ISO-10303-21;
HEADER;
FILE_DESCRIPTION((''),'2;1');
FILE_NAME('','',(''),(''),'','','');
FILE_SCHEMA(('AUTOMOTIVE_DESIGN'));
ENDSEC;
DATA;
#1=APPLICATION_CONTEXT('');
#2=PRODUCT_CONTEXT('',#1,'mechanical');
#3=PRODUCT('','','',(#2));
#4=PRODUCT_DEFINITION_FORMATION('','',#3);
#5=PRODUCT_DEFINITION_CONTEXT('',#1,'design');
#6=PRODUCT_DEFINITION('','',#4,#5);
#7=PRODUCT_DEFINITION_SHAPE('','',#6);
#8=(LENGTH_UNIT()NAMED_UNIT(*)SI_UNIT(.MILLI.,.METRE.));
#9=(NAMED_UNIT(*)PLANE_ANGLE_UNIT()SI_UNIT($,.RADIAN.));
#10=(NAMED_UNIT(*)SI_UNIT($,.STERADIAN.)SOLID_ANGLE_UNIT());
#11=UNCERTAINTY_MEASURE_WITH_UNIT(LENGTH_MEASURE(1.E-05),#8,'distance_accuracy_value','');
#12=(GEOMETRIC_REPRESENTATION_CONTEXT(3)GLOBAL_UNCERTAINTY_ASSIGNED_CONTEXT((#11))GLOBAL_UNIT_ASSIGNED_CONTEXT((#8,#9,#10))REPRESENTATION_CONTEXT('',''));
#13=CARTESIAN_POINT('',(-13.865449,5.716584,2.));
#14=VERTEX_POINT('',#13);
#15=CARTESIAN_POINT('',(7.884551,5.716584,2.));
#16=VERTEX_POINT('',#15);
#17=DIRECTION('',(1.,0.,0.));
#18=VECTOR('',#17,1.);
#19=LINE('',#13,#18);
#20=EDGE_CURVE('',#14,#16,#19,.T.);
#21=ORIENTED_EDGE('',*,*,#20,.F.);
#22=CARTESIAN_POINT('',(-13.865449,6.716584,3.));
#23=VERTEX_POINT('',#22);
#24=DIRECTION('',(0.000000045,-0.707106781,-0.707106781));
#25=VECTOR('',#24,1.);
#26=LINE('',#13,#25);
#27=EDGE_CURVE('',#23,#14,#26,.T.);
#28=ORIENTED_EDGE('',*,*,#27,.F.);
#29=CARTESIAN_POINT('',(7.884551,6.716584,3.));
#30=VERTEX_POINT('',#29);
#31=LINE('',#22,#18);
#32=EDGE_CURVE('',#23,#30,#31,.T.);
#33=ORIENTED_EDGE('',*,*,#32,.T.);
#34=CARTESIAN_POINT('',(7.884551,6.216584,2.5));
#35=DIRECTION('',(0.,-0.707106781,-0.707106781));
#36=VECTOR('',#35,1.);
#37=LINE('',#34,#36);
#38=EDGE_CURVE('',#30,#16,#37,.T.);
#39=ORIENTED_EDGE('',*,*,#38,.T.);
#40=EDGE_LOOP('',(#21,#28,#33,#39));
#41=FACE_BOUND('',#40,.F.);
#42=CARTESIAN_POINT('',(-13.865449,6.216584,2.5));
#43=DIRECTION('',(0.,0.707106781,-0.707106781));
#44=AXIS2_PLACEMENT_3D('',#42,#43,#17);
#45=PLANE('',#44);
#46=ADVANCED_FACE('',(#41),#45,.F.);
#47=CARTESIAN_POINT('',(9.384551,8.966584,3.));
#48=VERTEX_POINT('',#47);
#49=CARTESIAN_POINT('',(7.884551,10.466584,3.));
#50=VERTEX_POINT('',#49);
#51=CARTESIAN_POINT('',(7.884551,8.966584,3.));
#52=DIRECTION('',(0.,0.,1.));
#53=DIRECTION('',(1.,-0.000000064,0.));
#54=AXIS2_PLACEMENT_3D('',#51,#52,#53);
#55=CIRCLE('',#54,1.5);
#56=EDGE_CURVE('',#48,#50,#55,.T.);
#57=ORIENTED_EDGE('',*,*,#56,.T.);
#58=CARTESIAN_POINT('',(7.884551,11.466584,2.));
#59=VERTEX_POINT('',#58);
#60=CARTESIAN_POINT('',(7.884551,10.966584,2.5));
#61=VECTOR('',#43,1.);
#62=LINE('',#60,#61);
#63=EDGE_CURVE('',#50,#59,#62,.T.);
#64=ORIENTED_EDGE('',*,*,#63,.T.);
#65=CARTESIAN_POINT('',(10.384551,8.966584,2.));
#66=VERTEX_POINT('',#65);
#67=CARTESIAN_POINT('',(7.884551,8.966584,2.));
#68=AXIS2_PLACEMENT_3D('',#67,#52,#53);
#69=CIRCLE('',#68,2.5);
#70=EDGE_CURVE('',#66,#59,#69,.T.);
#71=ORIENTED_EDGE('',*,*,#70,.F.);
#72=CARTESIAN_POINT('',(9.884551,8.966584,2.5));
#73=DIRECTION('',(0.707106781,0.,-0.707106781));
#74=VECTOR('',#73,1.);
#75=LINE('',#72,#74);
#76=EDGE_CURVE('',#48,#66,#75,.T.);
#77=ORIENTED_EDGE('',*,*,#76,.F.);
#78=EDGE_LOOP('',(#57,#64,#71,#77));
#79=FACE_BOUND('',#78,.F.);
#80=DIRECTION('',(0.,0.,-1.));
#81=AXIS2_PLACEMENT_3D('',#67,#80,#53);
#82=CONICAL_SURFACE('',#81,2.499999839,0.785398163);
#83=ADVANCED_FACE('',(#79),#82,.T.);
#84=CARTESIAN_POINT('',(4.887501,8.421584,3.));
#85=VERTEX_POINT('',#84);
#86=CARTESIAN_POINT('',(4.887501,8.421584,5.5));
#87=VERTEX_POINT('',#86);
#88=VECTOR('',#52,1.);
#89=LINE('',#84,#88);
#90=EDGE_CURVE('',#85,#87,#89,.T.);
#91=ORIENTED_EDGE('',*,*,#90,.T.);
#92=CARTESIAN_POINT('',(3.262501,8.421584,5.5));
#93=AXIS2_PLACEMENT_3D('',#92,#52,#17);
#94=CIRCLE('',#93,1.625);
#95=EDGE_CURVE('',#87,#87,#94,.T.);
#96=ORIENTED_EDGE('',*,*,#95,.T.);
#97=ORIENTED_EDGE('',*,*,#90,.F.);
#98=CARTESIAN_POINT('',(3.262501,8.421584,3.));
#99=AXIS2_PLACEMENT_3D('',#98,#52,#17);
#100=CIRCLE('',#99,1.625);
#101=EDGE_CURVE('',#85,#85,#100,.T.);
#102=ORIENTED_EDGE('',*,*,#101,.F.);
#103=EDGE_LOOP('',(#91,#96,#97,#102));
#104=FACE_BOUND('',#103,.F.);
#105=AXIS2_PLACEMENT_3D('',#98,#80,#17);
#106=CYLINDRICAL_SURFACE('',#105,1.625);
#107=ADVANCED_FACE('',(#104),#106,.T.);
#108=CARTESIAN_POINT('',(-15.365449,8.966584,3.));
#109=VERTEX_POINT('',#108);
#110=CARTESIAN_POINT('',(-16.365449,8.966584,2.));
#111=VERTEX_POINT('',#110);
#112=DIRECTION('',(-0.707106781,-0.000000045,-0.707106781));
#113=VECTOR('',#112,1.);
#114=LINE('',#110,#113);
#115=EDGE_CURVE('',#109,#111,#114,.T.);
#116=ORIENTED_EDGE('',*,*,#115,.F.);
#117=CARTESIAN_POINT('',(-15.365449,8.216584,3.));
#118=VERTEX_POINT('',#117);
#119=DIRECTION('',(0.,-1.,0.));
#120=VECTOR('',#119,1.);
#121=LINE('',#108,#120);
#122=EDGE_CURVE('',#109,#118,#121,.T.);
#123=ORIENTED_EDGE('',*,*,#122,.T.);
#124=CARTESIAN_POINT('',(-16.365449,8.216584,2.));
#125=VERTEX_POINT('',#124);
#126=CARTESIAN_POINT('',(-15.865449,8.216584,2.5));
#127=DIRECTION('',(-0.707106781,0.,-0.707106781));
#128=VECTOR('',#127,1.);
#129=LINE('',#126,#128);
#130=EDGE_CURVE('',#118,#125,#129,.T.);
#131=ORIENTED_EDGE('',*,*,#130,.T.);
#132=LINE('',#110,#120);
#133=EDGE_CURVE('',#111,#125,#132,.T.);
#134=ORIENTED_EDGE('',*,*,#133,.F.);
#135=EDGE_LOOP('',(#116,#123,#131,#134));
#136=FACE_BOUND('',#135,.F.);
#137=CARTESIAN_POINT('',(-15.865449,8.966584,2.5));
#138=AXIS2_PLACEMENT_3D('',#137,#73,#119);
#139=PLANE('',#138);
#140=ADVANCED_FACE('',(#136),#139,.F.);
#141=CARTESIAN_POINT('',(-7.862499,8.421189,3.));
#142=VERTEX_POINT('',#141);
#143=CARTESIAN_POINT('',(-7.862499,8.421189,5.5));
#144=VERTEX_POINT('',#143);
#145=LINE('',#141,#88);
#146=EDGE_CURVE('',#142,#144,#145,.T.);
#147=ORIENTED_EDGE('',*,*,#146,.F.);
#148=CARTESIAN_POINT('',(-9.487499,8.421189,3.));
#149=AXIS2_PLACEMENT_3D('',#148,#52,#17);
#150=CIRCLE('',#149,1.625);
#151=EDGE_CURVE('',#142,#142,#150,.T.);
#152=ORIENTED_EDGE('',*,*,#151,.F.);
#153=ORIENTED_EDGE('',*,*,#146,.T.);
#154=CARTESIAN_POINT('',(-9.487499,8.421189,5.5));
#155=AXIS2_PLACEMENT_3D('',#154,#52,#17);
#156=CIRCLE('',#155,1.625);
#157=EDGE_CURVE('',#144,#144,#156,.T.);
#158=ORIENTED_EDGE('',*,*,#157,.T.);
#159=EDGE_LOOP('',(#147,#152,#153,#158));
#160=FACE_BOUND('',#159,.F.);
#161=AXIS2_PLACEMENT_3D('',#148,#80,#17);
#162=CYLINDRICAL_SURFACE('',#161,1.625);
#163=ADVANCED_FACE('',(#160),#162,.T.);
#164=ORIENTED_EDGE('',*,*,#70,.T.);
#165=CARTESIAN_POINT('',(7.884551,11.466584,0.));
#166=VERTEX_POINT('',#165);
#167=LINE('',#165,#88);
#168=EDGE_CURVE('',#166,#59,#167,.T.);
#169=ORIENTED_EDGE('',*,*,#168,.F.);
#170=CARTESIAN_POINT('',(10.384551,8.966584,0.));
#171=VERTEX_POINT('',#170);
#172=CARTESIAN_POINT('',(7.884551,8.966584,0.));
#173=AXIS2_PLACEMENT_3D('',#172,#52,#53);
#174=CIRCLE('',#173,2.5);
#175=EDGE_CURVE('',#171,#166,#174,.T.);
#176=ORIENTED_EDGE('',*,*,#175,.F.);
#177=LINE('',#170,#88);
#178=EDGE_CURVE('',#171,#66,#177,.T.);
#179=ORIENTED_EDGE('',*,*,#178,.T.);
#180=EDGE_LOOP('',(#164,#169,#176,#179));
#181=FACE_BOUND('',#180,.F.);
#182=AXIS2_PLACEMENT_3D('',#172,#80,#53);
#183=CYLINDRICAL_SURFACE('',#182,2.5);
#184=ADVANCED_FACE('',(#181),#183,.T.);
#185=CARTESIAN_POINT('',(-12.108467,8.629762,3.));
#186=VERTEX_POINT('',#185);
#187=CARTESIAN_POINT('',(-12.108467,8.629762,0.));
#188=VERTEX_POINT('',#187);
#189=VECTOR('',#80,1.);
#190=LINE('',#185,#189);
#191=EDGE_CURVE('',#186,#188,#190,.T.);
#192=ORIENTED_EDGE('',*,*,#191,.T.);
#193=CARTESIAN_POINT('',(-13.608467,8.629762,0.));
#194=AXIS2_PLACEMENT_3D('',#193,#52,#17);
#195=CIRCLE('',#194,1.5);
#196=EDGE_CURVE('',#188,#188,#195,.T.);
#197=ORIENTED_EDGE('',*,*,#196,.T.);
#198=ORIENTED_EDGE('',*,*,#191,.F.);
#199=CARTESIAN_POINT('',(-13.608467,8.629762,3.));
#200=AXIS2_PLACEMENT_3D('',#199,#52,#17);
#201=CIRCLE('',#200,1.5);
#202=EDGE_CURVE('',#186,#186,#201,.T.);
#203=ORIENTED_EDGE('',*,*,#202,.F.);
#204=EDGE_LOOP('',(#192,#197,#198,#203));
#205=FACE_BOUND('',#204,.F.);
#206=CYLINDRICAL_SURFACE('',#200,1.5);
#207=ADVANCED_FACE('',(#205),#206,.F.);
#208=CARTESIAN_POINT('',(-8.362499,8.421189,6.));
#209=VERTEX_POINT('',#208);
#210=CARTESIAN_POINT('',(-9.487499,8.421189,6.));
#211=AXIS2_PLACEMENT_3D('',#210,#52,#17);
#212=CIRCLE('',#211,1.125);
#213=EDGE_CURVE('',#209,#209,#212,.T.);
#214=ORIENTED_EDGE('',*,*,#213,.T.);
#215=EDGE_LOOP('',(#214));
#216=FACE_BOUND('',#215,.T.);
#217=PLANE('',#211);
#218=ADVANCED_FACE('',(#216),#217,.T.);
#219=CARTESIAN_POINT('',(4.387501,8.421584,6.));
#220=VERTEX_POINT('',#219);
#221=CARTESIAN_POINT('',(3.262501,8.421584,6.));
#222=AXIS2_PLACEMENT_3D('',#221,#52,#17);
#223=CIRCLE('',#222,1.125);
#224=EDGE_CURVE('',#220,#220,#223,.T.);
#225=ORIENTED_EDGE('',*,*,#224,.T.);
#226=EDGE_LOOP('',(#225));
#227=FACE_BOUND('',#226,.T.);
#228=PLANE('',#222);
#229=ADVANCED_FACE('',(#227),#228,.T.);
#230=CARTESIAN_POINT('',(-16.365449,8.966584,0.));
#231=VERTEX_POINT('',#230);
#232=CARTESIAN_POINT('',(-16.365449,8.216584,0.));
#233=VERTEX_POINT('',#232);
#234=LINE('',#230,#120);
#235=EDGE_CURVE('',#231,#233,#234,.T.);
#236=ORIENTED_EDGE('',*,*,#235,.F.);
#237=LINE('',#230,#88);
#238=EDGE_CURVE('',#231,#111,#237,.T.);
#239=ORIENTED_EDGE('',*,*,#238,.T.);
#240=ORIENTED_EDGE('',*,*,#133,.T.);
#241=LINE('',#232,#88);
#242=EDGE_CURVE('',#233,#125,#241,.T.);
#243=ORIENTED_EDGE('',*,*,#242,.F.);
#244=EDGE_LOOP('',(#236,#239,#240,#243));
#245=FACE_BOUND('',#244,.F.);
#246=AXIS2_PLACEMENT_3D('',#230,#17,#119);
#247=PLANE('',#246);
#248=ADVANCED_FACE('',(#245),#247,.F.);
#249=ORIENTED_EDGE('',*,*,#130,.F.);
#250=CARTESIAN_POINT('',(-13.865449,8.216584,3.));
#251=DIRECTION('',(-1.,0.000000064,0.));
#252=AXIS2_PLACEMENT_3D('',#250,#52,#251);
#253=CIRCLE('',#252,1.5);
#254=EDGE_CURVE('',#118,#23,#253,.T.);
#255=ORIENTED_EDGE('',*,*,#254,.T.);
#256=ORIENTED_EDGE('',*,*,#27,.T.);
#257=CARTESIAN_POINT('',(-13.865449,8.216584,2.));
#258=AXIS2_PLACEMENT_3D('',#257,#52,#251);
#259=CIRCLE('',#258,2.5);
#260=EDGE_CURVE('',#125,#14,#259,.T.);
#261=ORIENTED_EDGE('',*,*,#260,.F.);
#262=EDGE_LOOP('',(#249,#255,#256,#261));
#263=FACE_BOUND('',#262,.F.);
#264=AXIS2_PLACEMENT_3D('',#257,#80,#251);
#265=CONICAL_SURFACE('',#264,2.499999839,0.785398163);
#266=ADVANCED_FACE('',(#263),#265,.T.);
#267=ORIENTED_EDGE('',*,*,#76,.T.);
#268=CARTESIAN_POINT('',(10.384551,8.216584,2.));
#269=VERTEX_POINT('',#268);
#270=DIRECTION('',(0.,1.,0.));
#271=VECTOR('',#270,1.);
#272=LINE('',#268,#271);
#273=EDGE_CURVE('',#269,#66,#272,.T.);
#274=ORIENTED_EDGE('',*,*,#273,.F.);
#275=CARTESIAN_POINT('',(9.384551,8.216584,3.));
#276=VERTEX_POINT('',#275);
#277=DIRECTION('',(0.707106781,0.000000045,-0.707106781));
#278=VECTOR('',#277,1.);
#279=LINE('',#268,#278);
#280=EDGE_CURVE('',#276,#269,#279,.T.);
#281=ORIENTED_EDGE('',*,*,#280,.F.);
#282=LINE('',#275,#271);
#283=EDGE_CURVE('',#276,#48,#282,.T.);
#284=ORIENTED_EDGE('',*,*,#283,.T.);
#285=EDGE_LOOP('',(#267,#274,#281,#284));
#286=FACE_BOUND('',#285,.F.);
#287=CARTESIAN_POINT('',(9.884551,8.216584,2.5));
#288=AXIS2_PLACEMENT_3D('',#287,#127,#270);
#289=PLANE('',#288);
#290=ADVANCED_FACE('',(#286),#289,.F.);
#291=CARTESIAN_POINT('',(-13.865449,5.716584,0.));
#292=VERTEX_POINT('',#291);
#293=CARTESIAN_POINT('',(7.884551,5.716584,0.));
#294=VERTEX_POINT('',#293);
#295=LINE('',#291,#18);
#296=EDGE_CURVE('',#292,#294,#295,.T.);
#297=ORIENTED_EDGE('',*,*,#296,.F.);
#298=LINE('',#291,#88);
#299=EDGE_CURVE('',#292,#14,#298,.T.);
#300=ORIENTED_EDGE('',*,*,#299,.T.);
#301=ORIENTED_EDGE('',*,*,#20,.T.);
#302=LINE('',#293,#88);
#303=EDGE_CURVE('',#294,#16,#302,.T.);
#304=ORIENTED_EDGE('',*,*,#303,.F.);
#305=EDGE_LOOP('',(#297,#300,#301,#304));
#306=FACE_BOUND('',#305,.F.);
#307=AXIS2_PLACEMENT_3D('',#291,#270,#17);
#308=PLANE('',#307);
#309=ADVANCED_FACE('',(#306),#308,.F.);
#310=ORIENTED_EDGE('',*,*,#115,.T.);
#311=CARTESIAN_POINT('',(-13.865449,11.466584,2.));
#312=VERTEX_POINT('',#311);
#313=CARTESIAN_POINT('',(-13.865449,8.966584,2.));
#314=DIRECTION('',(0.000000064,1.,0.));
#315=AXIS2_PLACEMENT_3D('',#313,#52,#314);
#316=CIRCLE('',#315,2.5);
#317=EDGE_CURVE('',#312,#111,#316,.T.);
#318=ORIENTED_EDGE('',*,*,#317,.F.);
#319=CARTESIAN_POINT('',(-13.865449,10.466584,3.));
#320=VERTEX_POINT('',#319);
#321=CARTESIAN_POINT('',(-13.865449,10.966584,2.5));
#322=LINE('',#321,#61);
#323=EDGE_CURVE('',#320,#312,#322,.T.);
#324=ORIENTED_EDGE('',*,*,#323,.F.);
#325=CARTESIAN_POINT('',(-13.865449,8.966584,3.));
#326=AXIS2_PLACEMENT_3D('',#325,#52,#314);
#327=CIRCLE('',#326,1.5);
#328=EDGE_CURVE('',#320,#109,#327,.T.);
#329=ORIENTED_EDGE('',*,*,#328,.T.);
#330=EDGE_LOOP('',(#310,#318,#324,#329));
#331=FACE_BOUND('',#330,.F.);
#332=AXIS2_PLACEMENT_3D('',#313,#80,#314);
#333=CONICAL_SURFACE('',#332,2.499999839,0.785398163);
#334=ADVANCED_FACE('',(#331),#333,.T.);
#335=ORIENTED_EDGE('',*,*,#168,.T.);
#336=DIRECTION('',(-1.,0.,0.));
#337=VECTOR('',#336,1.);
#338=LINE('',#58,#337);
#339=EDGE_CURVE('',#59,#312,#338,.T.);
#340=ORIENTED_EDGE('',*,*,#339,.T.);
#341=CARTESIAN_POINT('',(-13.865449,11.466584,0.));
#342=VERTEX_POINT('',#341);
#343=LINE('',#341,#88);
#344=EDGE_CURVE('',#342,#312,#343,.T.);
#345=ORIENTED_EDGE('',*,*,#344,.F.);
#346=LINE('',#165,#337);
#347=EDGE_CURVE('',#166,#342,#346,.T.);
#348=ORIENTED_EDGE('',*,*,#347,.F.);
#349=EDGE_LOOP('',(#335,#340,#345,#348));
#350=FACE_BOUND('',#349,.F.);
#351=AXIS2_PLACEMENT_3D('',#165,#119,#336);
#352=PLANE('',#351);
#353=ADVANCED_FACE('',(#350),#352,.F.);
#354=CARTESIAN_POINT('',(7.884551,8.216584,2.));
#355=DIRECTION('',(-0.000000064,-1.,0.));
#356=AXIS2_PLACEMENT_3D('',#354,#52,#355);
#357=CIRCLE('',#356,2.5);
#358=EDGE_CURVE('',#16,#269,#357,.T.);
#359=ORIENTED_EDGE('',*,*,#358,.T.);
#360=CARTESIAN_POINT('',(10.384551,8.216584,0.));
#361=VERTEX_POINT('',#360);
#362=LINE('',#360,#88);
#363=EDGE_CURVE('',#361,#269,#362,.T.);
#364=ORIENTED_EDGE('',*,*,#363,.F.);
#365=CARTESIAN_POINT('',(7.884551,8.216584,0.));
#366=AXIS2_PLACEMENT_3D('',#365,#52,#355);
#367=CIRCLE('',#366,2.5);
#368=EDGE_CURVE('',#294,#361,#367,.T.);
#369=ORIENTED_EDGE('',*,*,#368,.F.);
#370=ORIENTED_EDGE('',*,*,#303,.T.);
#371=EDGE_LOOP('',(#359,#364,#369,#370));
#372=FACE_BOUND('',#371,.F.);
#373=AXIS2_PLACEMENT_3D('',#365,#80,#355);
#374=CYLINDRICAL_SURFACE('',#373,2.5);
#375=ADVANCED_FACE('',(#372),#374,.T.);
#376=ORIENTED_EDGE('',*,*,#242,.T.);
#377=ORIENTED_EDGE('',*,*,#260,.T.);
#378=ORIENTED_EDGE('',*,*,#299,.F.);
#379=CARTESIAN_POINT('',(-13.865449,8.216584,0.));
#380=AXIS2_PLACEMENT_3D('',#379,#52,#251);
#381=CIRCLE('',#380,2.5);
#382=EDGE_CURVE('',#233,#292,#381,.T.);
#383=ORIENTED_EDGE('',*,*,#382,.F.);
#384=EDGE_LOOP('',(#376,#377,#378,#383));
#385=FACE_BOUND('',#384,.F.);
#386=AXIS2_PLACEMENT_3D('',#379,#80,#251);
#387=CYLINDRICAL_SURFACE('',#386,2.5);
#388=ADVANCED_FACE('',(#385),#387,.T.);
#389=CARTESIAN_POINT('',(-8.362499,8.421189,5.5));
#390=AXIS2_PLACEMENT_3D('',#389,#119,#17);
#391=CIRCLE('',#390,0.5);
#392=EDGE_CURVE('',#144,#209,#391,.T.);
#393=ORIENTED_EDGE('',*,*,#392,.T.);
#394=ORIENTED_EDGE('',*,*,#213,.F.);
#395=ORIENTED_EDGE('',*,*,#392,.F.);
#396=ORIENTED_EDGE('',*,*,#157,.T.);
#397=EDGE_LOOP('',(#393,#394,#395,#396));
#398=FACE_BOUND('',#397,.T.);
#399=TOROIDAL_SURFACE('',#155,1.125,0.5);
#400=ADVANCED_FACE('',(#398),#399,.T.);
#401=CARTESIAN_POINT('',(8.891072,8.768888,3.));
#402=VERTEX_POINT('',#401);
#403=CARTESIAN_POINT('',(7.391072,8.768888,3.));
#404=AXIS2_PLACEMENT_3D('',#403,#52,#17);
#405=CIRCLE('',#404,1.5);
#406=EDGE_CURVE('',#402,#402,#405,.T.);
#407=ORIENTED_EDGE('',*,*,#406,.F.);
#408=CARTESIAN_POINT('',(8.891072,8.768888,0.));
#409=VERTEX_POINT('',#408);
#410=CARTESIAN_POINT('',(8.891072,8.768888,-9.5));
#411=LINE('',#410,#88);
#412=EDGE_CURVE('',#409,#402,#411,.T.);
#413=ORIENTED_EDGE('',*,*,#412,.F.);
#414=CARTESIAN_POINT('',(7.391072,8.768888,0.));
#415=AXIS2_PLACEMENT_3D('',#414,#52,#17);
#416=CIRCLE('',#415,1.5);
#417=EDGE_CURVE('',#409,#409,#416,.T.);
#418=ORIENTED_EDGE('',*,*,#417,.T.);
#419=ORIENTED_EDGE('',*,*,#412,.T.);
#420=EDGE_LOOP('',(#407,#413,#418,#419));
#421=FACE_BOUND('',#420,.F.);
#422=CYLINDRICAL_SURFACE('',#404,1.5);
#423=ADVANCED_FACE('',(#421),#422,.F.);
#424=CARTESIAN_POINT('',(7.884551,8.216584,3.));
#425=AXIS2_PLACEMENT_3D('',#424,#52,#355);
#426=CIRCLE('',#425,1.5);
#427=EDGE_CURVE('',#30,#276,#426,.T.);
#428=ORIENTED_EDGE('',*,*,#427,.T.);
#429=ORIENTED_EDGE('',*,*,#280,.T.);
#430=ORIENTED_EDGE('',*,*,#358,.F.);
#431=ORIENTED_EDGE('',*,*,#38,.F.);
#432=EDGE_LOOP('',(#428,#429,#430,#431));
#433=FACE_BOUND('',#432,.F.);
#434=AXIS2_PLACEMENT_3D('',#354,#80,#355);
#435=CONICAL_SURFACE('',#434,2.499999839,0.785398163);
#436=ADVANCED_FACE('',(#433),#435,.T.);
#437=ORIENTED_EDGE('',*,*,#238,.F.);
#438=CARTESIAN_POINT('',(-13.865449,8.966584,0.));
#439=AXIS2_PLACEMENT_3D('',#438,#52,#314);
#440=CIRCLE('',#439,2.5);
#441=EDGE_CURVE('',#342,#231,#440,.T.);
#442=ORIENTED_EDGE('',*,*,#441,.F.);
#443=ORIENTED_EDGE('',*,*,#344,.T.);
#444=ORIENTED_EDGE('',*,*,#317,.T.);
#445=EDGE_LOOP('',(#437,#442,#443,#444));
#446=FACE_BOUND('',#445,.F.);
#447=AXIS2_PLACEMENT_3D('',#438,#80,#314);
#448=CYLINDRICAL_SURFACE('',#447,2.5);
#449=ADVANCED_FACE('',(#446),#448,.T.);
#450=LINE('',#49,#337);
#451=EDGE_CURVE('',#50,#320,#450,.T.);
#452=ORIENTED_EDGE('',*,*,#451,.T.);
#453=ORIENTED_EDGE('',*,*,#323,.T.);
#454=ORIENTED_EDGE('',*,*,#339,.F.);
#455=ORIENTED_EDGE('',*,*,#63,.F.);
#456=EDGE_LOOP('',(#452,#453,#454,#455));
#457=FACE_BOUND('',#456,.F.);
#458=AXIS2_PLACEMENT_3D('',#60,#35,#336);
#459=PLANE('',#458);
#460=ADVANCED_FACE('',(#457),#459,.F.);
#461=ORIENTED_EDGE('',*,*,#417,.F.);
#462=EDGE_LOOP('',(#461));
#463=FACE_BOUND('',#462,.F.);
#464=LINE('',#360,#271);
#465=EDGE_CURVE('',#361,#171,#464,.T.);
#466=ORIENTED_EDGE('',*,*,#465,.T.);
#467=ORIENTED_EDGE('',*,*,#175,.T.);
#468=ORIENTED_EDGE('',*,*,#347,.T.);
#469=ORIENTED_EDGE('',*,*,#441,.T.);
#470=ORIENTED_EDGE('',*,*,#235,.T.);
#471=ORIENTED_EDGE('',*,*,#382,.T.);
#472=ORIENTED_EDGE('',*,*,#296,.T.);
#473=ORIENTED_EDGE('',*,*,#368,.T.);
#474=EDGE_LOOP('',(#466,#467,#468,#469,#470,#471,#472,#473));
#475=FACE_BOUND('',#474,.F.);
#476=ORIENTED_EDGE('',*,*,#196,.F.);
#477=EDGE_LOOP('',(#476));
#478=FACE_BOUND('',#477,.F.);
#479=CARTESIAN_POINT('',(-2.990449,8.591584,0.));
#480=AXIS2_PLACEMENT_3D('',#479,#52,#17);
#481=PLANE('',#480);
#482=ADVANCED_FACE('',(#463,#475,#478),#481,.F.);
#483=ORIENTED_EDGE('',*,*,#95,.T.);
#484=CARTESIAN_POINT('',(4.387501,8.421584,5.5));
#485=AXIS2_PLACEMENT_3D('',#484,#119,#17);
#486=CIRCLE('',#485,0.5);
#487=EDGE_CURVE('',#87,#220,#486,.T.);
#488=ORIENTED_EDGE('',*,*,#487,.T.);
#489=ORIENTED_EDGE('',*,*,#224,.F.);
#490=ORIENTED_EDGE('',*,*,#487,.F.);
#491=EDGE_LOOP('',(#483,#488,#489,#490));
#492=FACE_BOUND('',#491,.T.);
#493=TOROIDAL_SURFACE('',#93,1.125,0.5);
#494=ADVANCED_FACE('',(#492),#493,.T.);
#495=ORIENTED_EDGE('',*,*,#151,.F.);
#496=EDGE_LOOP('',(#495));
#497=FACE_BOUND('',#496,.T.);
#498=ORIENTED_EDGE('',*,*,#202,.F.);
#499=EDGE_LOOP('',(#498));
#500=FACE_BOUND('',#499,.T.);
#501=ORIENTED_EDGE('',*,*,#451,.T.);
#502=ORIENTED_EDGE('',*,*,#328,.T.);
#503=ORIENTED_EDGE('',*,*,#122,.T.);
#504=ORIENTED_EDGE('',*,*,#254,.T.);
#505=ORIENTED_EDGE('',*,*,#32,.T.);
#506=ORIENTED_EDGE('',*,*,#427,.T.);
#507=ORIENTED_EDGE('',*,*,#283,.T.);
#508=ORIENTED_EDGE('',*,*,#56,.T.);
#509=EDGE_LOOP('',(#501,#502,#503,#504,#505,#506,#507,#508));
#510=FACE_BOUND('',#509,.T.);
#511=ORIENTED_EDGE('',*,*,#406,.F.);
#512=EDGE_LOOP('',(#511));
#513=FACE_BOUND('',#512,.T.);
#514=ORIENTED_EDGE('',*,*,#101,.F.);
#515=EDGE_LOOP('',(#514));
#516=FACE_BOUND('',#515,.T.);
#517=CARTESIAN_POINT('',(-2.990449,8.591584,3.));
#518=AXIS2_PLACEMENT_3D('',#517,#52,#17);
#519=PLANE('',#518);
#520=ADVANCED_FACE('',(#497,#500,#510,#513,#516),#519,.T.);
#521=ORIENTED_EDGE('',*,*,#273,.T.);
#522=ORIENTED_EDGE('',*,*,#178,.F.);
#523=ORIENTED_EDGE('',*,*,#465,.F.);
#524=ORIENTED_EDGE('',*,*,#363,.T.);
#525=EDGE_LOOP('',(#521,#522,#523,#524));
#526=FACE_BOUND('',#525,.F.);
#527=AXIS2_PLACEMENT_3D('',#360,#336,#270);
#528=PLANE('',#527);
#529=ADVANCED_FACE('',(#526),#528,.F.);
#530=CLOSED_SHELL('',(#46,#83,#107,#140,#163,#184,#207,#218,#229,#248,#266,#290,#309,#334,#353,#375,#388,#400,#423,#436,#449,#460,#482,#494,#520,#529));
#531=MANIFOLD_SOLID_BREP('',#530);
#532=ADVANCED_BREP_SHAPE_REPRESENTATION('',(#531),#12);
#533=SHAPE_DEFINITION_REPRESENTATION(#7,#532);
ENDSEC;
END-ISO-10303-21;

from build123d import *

# Parameters (mm, degrees)
F1_DEPTH = 3
F2_R     = 1.625
F3_DEPTH = 3
F2_R_2   = 1.5
F4_DEPTH = 12.5
F5_R     = 0.5
F6_SIZE  = 1


with BuildPart() as f1:
    # F0 (on Top) → F1 (new body)
    with BuildSketch(Plane.XY):
        with BuildLine():
            Line((7.884551, 11.466584), (-13.865449, 11.466584))
            ThreePointArc((-13.865449, 11.466584), (-15.633216, 10.734351), (-16.365449, 8.966584))
            Line((-16.365449, 8.966584), (-16.365449, 8.216584))
            ThreePointArc((-16.365449, 8.216584), (-15.633216, 6.448817), (-13.865449, 5.716584))
            Line((-13.865449, 5.716584), (7.884551, 5.716584))
            ThreePointArc((7.884551, 5.716584), (9.652318, 6.448817), (10.384551, 8.216584))
            Line((10.384551, 8.216584), (10.384551, 8.966584))
            ThreePointArc((10.384551, 8.966584), (9.652318, 10.734351), (7.884551, 11.466584))
        make_face()
    extrude(amount=F1_DEPTH)

    # F2 (on face) → F3 (join)
    with BuildSketch(Plane.XY.offset(3)):
        with Locations((-9.487499, 8.421189)):
            Circle(F2_R)
        with Locations((3.262501, 8.421584)):
            Circle(F2_R)
    extrude(amount=F3_DEPTH)

    # F2 (on face) → F4 (cut, symmetric)
    with BuildSketch(Plane.XY.offset(3)):
        with Locations((-13.608467, 8.629762)):
            Circle(F2_R_2)
        with Locations((7.391072, 8.768888)):
            Circle(F2_R_2)
    extrude(amount=F4_DEPTH, both=True, mode=Mode.SUBTRACT)

    # F5
    f5_edges = [f1.edges().sort_by_distance(p)[0] for p in [
        (1.637501, 8.421584, 6),
        (-11.112499, 8.421189, 6),
    ]]
    fillet(f5_edges, radius=F5_R)

    # F6
    f6_edges = [f1.edges().sort_by_distance(p)[0] for p in [
        (-2.990449, 11.466584, 3),
        (9.652318, 10.734351, 3),
        (-15.633216, 10.734351, 3),
        (10.384551, 8.591584, 3),
        (9.652318, 6.448817, 3),
        (-2.990449, 5.716584, 3),
        (-16.365449, 8.591584, 3),
        (-15.633216, 6.448817, 3),
    ]]
    chamfer(f6_edges, length=F6_SIZE)


solid = f1.part
